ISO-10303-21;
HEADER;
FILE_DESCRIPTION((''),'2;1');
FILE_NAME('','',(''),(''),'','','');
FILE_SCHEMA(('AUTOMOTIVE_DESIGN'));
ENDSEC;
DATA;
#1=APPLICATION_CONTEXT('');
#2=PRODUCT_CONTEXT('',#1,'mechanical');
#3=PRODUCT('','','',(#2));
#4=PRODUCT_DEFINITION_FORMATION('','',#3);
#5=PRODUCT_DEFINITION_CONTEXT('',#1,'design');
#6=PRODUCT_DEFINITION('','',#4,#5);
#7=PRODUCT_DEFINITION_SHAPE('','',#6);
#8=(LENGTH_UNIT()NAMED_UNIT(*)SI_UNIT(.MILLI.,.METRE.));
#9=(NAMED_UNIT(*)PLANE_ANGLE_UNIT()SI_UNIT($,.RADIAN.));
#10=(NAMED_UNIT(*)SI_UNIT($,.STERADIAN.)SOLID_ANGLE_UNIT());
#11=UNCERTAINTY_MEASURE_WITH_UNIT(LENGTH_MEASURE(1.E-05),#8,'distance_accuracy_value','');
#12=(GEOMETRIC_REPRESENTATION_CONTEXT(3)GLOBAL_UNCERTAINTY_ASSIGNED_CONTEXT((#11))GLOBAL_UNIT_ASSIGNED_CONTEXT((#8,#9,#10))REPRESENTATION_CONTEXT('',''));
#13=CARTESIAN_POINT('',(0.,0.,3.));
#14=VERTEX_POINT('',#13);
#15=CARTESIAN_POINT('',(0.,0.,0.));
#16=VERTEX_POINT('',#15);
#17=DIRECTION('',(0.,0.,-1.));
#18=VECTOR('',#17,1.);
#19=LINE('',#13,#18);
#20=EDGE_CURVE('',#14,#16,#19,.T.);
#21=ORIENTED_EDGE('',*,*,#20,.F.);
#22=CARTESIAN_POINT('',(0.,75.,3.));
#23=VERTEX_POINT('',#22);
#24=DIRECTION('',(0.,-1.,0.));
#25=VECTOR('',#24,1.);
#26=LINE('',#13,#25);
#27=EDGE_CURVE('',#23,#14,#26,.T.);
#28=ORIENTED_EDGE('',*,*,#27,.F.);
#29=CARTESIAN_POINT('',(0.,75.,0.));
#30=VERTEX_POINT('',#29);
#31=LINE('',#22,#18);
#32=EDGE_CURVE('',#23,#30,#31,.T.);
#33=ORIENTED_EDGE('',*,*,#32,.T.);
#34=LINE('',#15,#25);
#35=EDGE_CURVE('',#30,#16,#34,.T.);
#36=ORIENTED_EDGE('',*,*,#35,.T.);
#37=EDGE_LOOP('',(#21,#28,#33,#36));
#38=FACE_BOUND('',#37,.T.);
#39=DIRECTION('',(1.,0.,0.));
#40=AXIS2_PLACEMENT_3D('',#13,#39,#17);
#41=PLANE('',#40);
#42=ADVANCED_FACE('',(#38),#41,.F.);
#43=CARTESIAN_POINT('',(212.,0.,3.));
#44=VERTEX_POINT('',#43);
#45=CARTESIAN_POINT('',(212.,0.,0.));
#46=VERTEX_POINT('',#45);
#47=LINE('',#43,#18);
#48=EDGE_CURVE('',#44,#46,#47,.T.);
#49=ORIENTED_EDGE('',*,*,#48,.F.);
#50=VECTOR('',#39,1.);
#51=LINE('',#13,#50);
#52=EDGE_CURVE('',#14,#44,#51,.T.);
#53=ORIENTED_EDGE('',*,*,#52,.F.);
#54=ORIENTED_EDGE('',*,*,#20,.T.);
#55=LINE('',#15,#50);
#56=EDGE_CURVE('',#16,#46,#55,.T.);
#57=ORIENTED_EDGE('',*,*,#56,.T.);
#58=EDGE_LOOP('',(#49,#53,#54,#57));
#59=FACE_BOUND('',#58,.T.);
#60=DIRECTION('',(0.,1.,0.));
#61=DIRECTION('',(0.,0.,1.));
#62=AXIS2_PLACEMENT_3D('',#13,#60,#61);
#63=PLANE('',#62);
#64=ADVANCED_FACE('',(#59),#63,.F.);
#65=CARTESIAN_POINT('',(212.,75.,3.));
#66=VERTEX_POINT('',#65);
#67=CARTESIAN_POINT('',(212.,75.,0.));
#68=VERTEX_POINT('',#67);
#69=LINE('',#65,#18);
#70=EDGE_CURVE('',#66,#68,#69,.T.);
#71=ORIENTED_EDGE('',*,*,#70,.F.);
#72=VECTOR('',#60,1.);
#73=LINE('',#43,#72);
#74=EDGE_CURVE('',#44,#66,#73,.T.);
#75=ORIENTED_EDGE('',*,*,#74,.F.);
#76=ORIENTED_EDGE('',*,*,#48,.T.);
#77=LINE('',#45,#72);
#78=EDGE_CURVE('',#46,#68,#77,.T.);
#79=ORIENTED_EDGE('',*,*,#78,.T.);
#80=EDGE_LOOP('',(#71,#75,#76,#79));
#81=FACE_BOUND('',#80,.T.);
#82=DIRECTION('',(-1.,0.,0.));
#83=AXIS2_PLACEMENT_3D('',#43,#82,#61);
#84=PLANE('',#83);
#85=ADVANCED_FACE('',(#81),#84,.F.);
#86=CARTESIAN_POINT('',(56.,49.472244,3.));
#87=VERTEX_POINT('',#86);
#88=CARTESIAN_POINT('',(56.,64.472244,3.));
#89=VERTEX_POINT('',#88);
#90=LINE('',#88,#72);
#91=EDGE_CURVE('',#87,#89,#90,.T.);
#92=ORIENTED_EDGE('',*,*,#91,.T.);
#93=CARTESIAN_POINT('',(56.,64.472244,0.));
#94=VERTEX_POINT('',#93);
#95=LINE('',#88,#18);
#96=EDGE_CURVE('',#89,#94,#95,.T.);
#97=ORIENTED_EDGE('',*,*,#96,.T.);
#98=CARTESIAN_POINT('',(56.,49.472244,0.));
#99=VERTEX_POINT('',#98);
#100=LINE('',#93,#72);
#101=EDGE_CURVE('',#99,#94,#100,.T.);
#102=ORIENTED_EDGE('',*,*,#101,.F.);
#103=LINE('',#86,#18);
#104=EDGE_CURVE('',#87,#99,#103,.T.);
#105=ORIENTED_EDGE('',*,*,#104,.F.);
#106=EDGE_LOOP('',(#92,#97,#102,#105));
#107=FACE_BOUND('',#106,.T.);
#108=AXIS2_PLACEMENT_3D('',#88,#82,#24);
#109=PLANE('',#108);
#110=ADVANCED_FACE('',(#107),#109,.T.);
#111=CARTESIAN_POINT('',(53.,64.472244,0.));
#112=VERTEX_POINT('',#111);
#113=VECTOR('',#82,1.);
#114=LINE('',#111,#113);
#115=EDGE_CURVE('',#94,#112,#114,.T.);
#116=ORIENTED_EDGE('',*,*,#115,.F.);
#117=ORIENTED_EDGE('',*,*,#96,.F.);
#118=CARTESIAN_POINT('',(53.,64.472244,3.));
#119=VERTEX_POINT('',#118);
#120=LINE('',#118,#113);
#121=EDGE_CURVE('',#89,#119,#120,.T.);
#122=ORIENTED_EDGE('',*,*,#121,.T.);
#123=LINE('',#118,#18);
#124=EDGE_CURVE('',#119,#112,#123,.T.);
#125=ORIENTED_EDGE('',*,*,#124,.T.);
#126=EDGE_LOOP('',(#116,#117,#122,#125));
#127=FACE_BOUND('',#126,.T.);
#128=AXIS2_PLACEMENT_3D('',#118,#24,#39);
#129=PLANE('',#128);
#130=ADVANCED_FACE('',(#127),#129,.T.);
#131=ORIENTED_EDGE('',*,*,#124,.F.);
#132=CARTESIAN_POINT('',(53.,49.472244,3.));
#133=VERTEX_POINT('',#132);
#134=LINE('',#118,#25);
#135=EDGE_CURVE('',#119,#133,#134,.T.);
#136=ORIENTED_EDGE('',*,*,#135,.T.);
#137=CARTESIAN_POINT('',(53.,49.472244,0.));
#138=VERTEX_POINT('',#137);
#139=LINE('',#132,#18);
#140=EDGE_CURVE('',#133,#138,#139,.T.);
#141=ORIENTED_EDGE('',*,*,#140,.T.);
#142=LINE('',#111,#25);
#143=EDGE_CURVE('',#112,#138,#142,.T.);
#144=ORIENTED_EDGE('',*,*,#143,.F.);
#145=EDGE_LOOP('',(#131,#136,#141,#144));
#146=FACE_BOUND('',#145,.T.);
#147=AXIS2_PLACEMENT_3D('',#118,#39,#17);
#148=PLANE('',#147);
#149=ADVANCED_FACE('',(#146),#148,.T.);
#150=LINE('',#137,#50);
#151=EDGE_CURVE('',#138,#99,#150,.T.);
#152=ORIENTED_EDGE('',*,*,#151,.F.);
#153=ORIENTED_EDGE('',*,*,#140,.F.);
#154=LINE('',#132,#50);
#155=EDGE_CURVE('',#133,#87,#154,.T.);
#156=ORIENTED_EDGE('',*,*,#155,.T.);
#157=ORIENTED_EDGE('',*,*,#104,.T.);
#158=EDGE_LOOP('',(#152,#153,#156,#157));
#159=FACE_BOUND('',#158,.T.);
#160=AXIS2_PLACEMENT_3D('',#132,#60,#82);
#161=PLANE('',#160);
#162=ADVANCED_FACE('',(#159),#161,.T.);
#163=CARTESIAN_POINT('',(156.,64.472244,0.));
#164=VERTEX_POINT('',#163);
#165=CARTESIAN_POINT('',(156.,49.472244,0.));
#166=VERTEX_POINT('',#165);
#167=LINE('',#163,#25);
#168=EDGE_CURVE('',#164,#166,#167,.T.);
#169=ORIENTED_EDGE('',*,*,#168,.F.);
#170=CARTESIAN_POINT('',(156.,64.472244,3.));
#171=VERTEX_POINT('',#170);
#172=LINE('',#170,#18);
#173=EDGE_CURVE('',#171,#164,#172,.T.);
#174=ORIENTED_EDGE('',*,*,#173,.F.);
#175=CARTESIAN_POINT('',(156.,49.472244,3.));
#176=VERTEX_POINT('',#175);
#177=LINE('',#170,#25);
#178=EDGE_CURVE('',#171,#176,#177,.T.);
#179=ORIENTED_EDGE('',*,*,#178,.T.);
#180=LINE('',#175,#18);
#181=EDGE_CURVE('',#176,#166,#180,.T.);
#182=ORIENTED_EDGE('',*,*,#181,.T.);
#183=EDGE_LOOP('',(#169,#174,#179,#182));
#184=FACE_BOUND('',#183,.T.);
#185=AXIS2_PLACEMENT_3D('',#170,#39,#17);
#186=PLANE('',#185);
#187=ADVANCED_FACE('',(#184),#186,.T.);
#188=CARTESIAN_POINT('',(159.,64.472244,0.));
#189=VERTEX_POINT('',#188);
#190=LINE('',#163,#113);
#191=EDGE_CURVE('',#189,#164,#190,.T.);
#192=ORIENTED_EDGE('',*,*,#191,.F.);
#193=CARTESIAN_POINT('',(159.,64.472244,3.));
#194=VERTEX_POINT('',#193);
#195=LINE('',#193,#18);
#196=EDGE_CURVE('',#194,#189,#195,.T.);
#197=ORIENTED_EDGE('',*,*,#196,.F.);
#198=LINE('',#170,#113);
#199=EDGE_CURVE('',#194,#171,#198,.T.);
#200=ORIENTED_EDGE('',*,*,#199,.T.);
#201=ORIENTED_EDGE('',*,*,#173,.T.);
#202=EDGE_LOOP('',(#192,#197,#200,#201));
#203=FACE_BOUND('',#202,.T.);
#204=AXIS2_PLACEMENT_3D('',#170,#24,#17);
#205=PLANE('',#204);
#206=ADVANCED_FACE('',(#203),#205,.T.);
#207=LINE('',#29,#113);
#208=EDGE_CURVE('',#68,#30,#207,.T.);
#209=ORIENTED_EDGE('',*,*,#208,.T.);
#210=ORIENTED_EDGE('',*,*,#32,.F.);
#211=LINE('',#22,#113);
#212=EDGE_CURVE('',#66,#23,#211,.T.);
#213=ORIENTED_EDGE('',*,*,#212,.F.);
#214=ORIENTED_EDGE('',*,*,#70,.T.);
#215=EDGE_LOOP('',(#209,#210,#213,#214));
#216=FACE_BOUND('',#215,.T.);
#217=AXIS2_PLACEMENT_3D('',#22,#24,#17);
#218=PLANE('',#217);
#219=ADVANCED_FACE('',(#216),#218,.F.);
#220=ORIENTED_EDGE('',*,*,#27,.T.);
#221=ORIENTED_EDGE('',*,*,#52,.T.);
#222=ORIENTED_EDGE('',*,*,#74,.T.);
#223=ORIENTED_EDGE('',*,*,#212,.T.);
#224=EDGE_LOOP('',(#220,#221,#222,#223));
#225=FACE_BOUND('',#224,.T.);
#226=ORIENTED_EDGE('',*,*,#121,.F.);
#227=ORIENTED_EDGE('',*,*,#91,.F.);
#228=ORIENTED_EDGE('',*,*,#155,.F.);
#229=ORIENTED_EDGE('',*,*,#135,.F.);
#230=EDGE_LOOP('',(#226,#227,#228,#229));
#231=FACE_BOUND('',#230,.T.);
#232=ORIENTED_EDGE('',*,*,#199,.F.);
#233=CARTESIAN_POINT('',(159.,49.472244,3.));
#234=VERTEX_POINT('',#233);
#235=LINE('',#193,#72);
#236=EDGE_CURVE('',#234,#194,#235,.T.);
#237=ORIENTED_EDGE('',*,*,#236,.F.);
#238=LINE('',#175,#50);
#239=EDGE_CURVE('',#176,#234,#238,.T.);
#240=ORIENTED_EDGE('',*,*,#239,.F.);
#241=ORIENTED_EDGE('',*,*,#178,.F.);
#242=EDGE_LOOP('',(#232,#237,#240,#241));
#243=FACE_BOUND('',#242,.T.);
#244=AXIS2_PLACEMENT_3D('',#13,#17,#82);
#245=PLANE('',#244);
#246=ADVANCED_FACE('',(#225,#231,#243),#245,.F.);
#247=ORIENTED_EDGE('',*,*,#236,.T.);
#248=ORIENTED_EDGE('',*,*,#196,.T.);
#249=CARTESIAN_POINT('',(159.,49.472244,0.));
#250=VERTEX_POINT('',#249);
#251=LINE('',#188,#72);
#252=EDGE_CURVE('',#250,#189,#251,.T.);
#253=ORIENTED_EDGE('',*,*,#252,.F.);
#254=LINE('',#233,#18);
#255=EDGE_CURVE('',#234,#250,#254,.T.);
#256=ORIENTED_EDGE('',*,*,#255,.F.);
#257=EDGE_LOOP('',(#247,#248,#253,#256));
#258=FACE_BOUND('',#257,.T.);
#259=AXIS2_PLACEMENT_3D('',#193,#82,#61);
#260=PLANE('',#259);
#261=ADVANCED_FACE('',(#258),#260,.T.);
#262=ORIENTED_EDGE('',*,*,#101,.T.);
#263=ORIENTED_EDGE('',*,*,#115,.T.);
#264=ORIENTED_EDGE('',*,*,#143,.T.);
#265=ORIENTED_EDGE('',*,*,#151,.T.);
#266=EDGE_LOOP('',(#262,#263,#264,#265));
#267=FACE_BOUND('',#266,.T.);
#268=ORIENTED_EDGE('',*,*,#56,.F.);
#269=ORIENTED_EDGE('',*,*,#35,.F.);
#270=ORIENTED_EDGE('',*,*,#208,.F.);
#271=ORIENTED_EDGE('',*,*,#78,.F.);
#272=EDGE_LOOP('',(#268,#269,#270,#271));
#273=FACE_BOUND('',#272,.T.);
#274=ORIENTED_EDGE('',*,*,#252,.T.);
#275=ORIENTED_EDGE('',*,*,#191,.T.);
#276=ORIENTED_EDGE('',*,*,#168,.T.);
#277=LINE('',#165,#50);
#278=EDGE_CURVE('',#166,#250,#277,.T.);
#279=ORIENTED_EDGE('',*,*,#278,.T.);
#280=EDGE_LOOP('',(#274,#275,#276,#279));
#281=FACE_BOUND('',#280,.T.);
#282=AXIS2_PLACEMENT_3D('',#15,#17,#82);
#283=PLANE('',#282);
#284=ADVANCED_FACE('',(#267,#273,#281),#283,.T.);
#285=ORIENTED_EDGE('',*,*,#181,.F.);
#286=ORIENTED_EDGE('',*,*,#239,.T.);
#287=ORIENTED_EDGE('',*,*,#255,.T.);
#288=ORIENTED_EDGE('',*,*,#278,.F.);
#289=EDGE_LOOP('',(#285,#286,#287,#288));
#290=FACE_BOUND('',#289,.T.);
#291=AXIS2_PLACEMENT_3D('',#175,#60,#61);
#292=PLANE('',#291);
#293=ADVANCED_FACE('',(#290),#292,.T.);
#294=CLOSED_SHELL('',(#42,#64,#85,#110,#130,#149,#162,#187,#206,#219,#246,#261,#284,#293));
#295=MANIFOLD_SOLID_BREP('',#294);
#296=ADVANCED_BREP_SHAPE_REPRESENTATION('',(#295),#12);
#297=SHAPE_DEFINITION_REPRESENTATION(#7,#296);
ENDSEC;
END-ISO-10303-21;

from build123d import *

# Parameters (mm, degrees)
SKETCH1_W           = 212
SKETCH1_H           = 75
SKETCH1_W_2         = 3
SKETCH1_H_2         = 15
BOSS_EXTRUDE1_DEPTH = 3


with BuildPart() as part:
    # Sketch1 → Boss-Extrude1 (new body)
    with BuildSketch(Plane.XY):
        with Locations((106, 37.5)):
            Rectangle(SKETCH1_W, SKETCH1_H)
        with Locations((54.5, 56.97224362)):
            Rectangle(SKETCH1_W_2, SKETCH1_H_2, mode=Mode.SUBTRACT)
        with Locations((157.5, 56.97224362)):
            Rectangle(SKETCH1_W_2, SKETCH1_H_2, mode=Mode.SUBTRACT)
    extrude(amount=BOSS_EXTRUDE1_DEPTH)


solid = part.part
